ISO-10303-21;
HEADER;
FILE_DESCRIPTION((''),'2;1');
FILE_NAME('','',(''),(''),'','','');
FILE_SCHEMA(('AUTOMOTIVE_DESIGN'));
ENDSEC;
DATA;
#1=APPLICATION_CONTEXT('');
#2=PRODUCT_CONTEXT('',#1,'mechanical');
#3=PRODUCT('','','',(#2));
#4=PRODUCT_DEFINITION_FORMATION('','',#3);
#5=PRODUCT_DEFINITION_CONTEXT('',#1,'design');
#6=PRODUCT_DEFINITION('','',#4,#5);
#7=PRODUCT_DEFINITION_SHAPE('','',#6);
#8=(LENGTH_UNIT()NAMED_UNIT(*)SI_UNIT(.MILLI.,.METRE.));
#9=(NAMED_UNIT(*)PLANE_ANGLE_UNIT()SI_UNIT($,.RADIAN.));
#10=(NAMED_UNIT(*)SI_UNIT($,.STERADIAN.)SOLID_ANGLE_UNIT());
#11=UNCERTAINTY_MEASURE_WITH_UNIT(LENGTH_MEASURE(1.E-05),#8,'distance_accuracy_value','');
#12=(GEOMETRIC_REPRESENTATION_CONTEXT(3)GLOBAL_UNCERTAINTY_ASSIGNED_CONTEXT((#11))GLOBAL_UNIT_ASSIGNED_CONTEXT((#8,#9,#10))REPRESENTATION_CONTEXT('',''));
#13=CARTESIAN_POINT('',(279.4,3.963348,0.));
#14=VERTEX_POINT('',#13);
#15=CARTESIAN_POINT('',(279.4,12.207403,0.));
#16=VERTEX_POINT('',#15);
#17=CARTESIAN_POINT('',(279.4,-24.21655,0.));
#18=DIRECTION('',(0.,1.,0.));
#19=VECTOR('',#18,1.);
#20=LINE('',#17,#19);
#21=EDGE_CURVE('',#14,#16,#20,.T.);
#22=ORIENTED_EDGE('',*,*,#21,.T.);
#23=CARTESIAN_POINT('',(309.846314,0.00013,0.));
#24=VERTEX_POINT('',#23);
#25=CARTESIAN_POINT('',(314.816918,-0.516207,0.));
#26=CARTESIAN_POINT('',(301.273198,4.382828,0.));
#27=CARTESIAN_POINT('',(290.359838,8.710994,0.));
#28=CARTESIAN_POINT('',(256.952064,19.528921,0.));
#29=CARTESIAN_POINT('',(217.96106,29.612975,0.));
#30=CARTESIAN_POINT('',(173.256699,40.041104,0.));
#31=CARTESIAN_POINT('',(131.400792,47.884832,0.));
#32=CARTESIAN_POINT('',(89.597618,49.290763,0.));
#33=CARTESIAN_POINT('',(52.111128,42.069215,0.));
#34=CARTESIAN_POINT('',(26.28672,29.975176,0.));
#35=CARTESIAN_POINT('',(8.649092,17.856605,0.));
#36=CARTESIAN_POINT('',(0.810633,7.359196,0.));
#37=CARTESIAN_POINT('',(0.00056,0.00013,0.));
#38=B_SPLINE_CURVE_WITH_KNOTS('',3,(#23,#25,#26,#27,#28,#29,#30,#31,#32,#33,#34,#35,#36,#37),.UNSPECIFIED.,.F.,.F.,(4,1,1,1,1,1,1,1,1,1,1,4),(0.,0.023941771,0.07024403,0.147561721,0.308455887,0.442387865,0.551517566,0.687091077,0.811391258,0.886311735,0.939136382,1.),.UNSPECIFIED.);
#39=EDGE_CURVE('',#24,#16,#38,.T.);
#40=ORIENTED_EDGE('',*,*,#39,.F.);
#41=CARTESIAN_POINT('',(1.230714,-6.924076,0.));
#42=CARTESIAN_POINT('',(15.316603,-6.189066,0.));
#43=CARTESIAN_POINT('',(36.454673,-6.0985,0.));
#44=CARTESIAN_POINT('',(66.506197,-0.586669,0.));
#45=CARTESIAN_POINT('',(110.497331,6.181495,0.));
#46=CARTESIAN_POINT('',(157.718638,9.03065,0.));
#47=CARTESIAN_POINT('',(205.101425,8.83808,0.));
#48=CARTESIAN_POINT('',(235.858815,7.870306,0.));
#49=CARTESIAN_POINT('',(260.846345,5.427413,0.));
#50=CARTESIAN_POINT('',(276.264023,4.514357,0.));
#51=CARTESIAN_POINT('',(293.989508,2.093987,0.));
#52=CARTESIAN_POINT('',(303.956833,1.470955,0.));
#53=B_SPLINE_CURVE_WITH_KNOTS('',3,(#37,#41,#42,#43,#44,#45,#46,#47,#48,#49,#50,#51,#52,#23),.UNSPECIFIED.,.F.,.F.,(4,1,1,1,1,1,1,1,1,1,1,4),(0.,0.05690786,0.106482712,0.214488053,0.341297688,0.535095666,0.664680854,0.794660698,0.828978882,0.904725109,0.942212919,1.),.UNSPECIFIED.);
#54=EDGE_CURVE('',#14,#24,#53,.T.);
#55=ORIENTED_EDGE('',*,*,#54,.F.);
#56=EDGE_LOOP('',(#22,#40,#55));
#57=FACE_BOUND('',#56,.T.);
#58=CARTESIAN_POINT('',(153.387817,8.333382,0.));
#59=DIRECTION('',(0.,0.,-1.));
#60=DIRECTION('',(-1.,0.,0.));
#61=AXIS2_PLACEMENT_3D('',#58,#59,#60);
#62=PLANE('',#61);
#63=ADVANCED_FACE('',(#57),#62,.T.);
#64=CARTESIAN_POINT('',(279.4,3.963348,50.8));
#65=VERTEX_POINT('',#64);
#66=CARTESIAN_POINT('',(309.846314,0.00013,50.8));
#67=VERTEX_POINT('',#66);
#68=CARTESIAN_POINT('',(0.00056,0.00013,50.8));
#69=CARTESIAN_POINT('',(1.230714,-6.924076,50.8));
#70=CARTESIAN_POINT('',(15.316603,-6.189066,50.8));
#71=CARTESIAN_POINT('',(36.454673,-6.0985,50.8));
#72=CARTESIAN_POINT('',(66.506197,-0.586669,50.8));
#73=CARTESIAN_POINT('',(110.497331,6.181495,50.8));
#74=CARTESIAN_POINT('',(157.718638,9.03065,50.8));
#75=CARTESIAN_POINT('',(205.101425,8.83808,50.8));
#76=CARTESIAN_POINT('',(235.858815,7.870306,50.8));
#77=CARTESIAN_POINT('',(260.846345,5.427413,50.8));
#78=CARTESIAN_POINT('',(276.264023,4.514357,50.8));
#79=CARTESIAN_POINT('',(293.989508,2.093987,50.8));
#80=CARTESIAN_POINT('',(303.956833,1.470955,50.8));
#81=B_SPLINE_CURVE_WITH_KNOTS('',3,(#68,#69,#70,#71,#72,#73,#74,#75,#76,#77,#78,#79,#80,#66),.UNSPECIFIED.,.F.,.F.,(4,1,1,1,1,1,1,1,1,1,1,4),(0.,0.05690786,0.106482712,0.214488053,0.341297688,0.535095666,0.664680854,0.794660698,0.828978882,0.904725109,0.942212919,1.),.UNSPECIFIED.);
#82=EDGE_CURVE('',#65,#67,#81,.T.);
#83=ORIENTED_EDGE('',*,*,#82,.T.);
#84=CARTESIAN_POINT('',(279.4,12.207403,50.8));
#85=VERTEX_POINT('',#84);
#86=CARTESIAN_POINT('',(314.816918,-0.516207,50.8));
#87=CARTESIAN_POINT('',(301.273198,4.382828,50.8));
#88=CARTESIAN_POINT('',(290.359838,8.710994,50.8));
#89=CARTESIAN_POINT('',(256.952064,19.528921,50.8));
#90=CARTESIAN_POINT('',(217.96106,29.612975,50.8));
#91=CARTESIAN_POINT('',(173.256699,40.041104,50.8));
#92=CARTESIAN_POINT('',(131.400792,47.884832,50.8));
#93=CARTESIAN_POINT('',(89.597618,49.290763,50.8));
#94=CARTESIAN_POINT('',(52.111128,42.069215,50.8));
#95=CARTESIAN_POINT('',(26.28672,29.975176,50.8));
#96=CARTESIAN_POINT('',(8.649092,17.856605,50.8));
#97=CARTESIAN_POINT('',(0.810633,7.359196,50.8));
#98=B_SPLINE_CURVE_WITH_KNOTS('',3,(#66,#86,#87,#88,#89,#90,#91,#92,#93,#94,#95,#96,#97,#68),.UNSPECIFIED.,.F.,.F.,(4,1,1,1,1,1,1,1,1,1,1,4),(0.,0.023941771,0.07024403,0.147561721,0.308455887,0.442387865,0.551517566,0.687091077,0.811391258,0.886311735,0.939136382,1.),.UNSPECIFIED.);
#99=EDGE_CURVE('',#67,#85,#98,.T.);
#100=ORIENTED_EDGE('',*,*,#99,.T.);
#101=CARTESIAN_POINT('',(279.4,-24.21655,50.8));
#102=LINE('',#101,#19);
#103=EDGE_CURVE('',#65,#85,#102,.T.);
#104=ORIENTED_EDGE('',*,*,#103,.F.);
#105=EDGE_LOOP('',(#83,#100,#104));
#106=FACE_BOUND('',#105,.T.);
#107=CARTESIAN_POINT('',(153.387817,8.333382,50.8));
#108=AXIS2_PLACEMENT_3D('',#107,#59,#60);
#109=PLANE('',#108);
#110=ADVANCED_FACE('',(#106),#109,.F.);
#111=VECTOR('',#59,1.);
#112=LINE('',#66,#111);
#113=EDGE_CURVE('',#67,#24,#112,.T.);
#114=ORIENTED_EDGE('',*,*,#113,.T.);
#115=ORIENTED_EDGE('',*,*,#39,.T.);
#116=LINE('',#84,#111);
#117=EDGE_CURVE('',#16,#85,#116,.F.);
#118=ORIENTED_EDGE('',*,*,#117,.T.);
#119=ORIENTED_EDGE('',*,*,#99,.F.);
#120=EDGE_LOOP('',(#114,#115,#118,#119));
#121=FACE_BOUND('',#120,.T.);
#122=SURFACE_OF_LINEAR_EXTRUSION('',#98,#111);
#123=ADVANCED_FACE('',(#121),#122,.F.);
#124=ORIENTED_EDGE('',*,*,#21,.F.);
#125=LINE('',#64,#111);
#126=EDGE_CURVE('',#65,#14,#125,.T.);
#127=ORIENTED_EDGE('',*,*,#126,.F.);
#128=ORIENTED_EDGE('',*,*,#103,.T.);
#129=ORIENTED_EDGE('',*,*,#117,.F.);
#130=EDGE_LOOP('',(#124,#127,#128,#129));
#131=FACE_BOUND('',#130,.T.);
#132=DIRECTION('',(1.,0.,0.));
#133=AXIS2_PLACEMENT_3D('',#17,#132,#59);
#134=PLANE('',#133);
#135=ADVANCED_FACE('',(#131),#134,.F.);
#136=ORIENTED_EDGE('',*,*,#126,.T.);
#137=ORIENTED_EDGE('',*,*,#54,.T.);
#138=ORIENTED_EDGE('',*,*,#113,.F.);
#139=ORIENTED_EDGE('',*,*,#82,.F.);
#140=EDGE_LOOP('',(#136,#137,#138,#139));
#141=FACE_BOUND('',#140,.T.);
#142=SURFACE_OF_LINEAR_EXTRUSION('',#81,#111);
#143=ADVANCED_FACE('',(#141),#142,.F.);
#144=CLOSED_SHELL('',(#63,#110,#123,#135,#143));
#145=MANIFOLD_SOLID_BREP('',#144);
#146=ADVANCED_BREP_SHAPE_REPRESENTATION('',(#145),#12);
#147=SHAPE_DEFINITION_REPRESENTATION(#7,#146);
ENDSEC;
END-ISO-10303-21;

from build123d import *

# Parameters (mm, degrees)
BOSS_EXTRUDE1_DEPTH = 50.8
SKETCH2_R           = 6.35
SKETCH2_R_2         = 3.175
CUT_EXTRUDE1_DEPTH  = 320.788688435
SKETCH4_W           = 290.945593373
SKETCH4_H           = 117.489254048
CUT_EXTRUDE3_DEPTH  = 320.788688435


with BuildPart() as part:
    # Sketch1 → Boss-Extrude1 (new body)
    with BuildSketch(Plane.XY):
        with BuildLine():
            add(Edge.make_bspline(
                [(0.000560351, 0.000130087), (0.810633127, 7.359196055), (8.649092025, 17.856605174), (26.286719818, 29.975176328), (52.111128271, 42.069215275), (89.597618475, 49.290763054), (131.400792109, 47.884831915), (173.256699242, 40.041104278), (217.961060472, 29.612974894), (256.952064401, 19.528920948), (290.35983767, 8.71099439), (301.273197721, 4.382828139), (314.816918223, -0.516206742), (309.846313895, 0.000130087)],
                knots=[0, 0, 0, 0, 0.060863618, 0.113688265, 0.188608742, 0.312908923, 0.448482434, 0.557612135, 0.691544113, 0.852438279, 0.92975597, 0.976058229, 1, 1, 1, 1], degree=3))
            add(Edge.make_bspline(
                [(309.846313895, 0.000130087), (303.956832565, 1.47095521), (293.989507544, 2.093987313), (276.26402299, 4.514356704), (260.846344817, 5.427413394), (235.858814759, 7.870306192), (205.101424636, 8.838080282), (157.718638092, 9.030650149), (110.497331172, 6.181495223), (66.506197185, -0.586669107), (36.454672816, -6.098499901), (15.316603331, -6.189065841), (1.230714189, -6.924076091), (0.000560351, 0.000130087)],
                knots=[0, 0, 0, 0, 0.057787081, 0.095274891, 0.171021118, 0.205339302, 0.335319146, 0.464904334, 0.658702312, 0.785511947, 0.893517288, 0.94309214, 1, 1, 1, 1], degree=3))
        make_face()
    extrude(amount=BOSS_EXTRUDE1_DEPTH)

    # Sketch2 → Cut-Extrude1 (cut, through all)
    with BuildSketch(Plane.XY.offset(50.8)):
        with Locations((20.32, 10.16)):
            Circle(SKETCH2_R)
        with Locations((227.296313895, 19.050130087)):
            Circle(SKETCH2_R_2)
    extrude(amount=-CUT_EXTRUDE1_DEPTH, mode=Mode.SUBTRACT)

    # Sketch4 → Cut-Extrude3 (cut, through all)
    with BuildSketch(Plane.XY.offset(50.8)):
        with Locations((133.927203314, 34.528076629)):
            Rectangle(SKETCH4_W, SKETCH4_H)
    extrude(amount=-CUT_EXTRUDE3_DEPTH, mode=Mode.SUBTRACT)


solid = part.part
